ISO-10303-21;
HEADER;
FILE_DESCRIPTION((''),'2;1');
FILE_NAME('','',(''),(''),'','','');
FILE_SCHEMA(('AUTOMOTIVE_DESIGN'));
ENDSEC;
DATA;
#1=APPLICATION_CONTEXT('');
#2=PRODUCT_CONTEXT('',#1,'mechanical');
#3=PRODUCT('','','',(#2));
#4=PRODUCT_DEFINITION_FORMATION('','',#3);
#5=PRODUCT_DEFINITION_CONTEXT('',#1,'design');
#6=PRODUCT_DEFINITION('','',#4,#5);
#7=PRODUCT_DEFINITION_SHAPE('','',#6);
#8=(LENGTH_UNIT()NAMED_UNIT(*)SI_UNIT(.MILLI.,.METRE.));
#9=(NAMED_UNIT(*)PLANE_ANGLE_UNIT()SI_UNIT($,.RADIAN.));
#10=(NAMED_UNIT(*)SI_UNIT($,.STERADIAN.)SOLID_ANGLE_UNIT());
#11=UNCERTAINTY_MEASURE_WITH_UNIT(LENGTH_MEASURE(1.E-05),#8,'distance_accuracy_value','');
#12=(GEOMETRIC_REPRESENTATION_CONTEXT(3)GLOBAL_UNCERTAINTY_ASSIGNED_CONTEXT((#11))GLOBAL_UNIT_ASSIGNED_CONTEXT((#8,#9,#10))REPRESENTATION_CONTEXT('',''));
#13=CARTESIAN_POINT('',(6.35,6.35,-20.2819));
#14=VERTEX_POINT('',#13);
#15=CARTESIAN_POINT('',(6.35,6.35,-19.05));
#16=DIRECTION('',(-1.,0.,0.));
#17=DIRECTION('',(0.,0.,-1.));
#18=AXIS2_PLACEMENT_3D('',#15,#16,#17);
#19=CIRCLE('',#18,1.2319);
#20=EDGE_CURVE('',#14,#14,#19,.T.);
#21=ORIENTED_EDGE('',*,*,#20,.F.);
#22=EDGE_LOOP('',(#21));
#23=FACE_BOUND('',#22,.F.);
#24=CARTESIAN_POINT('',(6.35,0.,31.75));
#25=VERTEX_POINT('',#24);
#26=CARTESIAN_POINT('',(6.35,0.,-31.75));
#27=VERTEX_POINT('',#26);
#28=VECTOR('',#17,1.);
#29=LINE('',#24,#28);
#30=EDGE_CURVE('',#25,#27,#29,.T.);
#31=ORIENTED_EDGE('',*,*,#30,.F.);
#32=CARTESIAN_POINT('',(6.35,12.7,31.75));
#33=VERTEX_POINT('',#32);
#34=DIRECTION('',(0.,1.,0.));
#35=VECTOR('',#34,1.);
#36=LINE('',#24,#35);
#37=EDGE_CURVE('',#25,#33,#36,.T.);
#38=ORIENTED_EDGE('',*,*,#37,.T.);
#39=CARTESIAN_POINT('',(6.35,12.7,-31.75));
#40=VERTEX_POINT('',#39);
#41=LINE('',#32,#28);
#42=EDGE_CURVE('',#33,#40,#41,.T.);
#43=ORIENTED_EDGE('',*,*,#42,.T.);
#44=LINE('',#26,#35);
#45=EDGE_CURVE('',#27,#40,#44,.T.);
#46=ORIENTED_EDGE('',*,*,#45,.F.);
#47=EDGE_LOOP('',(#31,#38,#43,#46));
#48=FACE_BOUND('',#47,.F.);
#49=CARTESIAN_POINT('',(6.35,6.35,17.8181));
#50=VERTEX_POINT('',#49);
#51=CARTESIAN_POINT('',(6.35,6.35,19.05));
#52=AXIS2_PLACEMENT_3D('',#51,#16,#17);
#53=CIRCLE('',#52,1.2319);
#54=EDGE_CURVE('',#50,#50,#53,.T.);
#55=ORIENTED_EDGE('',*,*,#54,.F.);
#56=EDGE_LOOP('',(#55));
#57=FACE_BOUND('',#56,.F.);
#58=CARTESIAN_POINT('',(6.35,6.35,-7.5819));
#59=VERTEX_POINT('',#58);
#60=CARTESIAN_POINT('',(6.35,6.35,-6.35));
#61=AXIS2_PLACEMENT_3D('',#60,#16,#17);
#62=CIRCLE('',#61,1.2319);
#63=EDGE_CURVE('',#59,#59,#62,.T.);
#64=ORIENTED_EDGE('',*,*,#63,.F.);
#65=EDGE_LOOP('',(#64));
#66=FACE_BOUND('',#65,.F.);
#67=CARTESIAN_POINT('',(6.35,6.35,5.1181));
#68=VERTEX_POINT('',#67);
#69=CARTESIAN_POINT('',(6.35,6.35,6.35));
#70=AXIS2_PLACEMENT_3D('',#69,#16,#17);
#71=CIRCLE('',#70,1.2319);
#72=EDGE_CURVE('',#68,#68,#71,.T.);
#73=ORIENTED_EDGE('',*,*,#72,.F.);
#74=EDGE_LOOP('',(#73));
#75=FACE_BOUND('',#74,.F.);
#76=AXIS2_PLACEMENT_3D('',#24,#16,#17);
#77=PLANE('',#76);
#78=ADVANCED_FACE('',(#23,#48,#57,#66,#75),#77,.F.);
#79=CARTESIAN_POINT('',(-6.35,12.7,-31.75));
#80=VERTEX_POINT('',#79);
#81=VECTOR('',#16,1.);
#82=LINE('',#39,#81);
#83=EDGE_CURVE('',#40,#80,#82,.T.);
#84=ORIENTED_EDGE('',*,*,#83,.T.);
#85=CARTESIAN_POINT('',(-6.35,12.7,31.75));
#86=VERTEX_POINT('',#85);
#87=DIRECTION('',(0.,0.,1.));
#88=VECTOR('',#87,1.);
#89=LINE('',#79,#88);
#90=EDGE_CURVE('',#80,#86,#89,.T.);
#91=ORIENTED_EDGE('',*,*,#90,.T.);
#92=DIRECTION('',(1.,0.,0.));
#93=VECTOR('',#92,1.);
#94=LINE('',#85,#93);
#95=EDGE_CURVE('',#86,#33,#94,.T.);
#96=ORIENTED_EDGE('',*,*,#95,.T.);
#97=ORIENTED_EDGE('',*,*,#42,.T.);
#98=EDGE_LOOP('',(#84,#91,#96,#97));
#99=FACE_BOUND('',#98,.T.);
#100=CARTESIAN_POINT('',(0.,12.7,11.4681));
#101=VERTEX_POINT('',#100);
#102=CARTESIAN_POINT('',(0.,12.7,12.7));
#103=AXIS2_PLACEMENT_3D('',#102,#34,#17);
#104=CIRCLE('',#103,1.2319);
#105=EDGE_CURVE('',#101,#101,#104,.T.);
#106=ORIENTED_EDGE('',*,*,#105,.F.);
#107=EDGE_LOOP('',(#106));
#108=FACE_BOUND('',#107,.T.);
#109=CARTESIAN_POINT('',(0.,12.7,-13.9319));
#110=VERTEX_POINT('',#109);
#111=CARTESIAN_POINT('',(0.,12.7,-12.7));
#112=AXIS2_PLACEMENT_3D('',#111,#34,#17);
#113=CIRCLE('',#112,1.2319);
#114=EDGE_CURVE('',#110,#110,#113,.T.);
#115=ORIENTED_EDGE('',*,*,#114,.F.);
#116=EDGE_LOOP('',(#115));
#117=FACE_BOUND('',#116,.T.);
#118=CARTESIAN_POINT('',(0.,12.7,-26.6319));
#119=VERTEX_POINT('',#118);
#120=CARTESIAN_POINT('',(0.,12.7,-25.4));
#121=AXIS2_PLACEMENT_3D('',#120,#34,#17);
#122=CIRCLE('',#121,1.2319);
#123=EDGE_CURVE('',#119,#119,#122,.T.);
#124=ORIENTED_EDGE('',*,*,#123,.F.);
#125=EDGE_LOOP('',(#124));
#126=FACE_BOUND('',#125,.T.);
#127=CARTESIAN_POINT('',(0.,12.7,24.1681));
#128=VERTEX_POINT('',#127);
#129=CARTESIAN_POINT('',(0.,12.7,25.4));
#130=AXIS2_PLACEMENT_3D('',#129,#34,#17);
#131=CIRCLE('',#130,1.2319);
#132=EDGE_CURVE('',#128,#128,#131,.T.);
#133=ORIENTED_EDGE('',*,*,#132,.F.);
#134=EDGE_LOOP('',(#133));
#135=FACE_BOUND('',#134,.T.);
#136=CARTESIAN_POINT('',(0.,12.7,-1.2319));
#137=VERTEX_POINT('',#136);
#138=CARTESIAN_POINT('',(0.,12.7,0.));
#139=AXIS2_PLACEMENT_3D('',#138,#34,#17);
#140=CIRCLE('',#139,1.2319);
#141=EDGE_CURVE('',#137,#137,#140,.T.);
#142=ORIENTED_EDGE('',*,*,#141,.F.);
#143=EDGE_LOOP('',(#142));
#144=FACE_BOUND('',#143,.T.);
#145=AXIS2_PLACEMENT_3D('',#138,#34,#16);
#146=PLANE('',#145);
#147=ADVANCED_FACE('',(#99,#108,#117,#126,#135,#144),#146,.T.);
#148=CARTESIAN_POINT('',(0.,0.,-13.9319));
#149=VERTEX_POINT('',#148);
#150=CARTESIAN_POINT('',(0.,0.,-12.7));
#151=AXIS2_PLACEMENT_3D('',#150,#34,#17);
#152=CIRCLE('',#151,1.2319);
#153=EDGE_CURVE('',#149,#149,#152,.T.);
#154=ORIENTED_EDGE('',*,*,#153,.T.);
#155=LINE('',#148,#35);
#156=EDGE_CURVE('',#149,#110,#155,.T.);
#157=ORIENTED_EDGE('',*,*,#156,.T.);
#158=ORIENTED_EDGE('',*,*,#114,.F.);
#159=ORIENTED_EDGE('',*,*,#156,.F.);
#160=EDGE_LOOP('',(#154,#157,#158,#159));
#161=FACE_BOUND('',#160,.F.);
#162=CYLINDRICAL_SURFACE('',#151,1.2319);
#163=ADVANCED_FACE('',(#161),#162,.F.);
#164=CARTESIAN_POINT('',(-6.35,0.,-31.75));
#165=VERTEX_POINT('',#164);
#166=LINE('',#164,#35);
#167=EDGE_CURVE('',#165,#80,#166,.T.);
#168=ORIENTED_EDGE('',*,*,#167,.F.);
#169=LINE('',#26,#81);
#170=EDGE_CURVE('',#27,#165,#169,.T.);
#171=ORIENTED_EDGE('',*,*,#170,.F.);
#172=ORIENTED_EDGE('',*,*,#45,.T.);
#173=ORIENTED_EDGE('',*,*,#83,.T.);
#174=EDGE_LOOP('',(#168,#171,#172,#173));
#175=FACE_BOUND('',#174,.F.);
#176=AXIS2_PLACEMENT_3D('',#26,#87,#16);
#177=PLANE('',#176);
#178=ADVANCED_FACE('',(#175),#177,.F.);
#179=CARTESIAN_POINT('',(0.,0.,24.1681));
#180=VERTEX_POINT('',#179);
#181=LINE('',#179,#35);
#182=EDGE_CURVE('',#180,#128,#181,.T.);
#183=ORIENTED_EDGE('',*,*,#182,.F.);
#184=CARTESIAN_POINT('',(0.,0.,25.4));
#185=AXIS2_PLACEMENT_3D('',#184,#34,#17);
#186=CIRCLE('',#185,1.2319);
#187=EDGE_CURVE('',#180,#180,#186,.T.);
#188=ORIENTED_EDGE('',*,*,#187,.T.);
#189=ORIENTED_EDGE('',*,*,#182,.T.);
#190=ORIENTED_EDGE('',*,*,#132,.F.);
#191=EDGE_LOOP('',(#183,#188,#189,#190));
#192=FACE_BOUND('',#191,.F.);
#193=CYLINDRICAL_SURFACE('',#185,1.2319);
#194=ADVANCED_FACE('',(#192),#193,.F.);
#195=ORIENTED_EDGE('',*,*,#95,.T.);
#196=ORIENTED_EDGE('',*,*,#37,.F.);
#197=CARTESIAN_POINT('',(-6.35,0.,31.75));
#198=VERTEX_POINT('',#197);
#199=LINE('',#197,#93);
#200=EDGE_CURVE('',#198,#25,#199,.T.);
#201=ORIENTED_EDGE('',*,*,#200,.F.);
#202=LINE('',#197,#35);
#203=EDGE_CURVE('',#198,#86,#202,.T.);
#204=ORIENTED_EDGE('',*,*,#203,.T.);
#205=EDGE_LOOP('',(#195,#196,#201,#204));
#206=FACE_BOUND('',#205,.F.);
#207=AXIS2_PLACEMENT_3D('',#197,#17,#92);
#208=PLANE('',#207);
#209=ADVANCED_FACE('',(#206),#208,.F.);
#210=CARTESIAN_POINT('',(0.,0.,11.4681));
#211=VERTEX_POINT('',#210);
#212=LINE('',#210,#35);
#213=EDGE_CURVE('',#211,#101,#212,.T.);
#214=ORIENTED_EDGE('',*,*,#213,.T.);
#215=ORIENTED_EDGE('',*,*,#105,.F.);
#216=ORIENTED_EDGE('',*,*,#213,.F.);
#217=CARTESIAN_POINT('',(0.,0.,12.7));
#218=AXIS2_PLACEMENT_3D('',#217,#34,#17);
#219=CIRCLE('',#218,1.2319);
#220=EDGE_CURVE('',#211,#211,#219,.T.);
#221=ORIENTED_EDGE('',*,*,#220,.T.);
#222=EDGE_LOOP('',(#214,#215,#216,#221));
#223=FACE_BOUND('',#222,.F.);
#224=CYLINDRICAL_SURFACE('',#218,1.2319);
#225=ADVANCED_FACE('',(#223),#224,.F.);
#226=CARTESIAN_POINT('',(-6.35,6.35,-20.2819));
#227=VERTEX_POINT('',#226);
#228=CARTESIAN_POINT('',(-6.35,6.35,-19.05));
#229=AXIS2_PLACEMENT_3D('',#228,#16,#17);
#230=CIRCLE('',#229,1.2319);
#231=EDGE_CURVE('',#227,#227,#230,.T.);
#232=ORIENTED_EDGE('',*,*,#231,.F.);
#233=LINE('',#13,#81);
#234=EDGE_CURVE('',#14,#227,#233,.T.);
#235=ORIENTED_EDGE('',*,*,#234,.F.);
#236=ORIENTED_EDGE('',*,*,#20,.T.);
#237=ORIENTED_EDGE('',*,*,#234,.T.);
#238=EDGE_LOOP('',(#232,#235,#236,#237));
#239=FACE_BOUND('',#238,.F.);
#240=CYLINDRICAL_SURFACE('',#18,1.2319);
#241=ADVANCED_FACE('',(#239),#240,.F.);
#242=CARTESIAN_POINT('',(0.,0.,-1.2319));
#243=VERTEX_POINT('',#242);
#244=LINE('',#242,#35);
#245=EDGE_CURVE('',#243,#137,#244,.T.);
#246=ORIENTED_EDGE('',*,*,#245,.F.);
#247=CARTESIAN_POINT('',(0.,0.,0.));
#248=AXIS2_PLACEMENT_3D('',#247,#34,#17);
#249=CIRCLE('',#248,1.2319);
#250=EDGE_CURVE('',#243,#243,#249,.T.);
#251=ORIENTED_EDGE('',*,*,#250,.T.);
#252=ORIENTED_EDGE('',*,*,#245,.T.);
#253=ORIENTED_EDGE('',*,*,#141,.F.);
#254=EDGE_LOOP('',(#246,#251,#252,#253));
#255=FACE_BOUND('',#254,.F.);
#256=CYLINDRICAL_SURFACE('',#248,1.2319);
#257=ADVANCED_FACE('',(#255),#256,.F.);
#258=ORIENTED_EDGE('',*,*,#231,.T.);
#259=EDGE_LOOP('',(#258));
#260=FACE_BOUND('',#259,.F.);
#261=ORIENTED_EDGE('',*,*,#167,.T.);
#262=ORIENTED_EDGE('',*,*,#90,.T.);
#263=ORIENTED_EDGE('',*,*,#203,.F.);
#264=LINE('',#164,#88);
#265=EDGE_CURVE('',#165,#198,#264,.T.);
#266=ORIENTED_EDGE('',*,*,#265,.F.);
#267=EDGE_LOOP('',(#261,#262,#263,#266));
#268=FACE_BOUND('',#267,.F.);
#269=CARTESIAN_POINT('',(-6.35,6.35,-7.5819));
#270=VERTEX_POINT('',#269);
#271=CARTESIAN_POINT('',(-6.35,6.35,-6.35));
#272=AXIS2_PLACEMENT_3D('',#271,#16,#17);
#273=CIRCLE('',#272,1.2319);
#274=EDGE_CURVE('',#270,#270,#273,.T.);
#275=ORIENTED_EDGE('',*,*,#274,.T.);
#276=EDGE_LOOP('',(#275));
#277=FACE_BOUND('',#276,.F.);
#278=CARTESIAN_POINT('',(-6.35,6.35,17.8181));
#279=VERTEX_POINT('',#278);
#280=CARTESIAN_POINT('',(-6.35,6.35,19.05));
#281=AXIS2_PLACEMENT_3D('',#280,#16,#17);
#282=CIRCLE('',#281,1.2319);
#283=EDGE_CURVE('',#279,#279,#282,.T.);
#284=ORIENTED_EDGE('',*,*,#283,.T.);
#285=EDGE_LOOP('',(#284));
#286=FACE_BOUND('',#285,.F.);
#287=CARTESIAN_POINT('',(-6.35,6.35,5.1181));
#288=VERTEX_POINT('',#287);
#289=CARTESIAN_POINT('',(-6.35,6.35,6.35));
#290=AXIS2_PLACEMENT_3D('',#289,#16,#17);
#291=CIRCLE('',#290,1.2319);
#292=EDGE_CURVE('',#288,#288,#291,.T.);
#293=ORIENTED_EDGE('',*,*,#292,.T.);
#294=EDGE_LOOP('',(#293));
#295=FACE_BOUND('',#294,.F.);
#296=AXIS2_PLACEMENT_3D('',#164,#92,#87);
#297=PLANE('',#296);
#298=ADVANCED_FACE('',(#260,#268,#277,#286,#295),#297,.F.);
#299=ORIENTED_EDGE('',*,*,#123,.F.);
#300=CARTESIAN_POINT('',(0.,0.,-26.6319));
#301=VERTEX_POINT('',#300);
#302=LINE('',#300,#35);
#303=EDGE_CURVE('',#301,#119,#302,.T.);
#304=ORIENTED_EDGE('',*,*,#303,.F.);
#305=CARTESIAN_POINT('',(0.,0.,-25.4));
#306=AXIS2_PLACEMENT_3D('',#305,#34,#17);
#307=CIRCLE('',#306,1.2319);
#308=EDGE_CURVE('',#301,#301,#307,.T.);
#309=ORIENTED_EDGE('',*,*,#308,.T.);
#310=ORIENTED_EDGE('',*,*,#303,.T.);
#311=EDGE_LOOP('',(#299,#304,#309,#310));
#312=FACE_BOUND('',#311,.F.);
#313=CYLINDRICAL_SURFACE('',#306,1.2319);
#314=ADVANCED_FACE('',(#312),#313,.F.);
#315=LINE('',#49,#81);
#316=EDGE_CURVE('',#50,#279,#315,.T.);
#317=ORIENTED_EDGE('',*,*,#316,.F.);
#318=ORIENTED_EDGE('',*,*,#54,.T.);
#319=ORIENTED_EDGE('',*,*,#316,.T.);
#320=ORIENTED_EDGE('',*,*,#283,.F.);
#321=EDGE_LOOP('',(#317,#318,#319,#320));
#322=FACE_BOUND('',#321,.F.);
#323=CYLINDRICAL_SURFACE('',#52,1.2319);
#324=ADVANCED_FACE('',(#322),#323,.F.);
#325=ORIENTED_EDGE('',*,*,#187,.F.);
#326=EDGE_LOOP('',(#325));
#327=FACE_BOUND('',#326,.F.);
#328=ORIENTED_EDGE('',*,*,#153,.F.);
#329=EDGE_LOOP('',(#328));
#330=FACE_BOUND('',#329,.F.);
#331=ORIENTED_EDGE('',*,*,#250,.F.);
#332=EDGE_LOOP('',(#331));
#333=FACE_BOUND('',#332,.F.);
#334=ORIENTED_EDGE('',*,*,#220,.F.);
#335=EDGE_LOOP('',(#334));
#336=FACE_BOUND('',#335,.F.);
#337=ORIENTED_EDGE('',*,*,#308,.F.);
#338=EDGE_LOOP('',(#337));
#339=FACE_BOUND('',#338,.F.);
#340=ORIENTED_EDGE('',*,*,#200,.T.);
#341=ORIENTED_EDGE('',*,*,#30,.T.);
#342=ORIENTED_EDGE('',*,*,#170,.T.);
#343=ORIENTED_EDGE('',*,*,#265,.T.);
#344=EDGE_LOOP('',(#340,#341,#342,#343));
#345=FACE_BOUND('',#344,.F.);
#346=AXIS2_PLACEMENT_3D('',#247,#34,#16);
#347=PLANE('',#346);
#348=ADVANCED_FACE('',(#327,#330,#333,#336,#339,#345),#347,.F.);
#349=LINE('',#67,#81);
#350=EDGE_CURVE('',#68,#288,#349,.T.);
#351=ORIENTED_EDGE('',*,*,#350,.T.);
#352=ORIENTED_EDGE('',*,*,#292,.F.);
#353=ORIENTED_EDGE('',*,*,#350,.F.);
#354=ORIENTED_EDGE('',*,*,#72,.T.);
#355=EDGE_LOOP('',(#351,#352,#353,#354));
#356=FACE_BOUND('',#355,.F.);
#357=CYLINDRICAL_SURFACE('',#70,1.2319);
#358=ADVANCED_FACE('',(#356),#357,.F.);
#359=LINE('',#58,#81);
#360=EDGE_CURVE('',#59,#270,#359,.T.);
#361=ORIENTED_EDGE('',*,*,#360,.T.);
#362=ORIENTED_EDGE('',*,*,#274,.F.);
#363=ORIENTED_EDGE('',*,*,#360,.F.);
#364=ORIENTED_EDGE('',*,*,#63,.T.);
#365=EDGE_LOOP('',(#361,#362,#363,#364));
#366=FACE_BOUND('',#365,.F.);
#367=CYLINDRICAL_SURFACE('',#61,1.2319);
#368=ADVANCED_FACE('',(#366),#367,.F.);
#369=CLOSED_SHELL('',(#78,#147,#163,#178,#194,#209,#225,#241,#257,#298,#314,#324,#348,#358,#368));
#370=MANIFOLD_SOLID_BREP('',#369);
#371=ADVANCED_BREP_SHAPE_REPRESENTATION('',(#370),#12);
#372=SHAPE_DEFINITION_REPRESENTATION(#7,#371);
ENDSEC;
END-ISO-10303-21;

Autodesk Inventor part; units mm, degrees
ref_plane "YZ Plane" through (0, 0, 0) normal (1, 0, 0) x (0, 1, 0)
ref_plane "XZ Plane" through (0, 0, 0) normal (0, 1, 0) x (-1, 0, 0)
ref_plane "XY Plane" through (0, 0, 0) normal (0, 0, 1) x (1, 0, 0)
sketch "Sketch1" plane through (0, 0, 0) normal (0, 1, 0) x (-1, 0, 0)
  line L0 (-6.35, -31.75) -> (6.35, -31.75)
  line L1 (6.35, -31.75) -> (6.35, 31.75)
  line L2 (6.35, 31.75) -> (-6.35, 31.75)
  line L3 (-6.35, 31.75) -> (-6.35, -31.75)
  line L4 (-6.35, -31.75) -> (6.35, 31.75) construction
  line L5 (6.35, -31.75) -> (-6.35, 31.75) construction
  point P0 (0, 0)
  dimension "d0" = 63.5
  dimension "d1" = 12.7
extrude "Extrusion1" add sketch "Sketch1" along normal blind 12.7
sketch "Sketch2" plane through (6.35, 0, 31.75) normal (1, 0, 0) x (0, 0, -1)
  line L0 (63.5, 0) -> (63.5, 12.7) projected
  line L1 (63.5, 6.35) -> (0, 6.35)
  line L2 (0, 0) -> (0, 12.7) projected
  line L3 (31.75, 6.35) -> (31.75, 12.7)
  point P0 (31.75, 0)
  point P1 (12.7, 6.35)
  point P2 (25.4, 6.35)
  point P3 (38.1, 6.35)
  point P4 (50.8, 6.35)
  dimension "d4" = 12.7
  dimension "d5" = 12.7
  dimension "d6" = 12.7
  dimension "d15" = 6.35
hole "Hole1" at (6.35, 6.35, 19.05) at (6.35, 6.35, 6.35) at (6.35, 6.35, -6.35) at (6.35, 6.35, -19.05) direction (-1, 0, 0) diameter 2.4638 end through all
sketch "Sketch3" plane through (0, 0, 0) normal (0, -1, 0) x (1, 0, 0)
  line L0 (6.35, 31.75) -> (6.35, -31.75) projected
  line L1 (6.35, 0) -> (-6.35, 0)
  line L2 (-6.35, -31.75) -> (-6.35, 31.75) projected
  point P0 (0, 0)
  point P1 (0, 25.4)
  point P2 (0, 12.7)
  point P3 (0, -12.7)
  point P4 (0, -25.4)
  point P5 (0, 0)
  dimension "d16" = 12.7
  dimension "d17" = 12.7
  dimension "d18" = 12.7
  dimension "d19" = 12.7
hole "Hole2" at (0, 0, 25.4) at (0, 0, 12.7) at (0, 0, -12.7) at (0, 0, -25.4) at (0, 0, 0) direction (0, 1, 0) diameter 2.4638 end through all
equation "\"d5\" = d4"
equation "\"d6\" = d5"
equation "\"d15\" = 0.5 * d5"
equation "\"d17\" = d16"
equation "\"d18\" = d17"
equation "\"d19\" = d18"
properties part number "Lead_Screw_Fixture_Side_Wall"
